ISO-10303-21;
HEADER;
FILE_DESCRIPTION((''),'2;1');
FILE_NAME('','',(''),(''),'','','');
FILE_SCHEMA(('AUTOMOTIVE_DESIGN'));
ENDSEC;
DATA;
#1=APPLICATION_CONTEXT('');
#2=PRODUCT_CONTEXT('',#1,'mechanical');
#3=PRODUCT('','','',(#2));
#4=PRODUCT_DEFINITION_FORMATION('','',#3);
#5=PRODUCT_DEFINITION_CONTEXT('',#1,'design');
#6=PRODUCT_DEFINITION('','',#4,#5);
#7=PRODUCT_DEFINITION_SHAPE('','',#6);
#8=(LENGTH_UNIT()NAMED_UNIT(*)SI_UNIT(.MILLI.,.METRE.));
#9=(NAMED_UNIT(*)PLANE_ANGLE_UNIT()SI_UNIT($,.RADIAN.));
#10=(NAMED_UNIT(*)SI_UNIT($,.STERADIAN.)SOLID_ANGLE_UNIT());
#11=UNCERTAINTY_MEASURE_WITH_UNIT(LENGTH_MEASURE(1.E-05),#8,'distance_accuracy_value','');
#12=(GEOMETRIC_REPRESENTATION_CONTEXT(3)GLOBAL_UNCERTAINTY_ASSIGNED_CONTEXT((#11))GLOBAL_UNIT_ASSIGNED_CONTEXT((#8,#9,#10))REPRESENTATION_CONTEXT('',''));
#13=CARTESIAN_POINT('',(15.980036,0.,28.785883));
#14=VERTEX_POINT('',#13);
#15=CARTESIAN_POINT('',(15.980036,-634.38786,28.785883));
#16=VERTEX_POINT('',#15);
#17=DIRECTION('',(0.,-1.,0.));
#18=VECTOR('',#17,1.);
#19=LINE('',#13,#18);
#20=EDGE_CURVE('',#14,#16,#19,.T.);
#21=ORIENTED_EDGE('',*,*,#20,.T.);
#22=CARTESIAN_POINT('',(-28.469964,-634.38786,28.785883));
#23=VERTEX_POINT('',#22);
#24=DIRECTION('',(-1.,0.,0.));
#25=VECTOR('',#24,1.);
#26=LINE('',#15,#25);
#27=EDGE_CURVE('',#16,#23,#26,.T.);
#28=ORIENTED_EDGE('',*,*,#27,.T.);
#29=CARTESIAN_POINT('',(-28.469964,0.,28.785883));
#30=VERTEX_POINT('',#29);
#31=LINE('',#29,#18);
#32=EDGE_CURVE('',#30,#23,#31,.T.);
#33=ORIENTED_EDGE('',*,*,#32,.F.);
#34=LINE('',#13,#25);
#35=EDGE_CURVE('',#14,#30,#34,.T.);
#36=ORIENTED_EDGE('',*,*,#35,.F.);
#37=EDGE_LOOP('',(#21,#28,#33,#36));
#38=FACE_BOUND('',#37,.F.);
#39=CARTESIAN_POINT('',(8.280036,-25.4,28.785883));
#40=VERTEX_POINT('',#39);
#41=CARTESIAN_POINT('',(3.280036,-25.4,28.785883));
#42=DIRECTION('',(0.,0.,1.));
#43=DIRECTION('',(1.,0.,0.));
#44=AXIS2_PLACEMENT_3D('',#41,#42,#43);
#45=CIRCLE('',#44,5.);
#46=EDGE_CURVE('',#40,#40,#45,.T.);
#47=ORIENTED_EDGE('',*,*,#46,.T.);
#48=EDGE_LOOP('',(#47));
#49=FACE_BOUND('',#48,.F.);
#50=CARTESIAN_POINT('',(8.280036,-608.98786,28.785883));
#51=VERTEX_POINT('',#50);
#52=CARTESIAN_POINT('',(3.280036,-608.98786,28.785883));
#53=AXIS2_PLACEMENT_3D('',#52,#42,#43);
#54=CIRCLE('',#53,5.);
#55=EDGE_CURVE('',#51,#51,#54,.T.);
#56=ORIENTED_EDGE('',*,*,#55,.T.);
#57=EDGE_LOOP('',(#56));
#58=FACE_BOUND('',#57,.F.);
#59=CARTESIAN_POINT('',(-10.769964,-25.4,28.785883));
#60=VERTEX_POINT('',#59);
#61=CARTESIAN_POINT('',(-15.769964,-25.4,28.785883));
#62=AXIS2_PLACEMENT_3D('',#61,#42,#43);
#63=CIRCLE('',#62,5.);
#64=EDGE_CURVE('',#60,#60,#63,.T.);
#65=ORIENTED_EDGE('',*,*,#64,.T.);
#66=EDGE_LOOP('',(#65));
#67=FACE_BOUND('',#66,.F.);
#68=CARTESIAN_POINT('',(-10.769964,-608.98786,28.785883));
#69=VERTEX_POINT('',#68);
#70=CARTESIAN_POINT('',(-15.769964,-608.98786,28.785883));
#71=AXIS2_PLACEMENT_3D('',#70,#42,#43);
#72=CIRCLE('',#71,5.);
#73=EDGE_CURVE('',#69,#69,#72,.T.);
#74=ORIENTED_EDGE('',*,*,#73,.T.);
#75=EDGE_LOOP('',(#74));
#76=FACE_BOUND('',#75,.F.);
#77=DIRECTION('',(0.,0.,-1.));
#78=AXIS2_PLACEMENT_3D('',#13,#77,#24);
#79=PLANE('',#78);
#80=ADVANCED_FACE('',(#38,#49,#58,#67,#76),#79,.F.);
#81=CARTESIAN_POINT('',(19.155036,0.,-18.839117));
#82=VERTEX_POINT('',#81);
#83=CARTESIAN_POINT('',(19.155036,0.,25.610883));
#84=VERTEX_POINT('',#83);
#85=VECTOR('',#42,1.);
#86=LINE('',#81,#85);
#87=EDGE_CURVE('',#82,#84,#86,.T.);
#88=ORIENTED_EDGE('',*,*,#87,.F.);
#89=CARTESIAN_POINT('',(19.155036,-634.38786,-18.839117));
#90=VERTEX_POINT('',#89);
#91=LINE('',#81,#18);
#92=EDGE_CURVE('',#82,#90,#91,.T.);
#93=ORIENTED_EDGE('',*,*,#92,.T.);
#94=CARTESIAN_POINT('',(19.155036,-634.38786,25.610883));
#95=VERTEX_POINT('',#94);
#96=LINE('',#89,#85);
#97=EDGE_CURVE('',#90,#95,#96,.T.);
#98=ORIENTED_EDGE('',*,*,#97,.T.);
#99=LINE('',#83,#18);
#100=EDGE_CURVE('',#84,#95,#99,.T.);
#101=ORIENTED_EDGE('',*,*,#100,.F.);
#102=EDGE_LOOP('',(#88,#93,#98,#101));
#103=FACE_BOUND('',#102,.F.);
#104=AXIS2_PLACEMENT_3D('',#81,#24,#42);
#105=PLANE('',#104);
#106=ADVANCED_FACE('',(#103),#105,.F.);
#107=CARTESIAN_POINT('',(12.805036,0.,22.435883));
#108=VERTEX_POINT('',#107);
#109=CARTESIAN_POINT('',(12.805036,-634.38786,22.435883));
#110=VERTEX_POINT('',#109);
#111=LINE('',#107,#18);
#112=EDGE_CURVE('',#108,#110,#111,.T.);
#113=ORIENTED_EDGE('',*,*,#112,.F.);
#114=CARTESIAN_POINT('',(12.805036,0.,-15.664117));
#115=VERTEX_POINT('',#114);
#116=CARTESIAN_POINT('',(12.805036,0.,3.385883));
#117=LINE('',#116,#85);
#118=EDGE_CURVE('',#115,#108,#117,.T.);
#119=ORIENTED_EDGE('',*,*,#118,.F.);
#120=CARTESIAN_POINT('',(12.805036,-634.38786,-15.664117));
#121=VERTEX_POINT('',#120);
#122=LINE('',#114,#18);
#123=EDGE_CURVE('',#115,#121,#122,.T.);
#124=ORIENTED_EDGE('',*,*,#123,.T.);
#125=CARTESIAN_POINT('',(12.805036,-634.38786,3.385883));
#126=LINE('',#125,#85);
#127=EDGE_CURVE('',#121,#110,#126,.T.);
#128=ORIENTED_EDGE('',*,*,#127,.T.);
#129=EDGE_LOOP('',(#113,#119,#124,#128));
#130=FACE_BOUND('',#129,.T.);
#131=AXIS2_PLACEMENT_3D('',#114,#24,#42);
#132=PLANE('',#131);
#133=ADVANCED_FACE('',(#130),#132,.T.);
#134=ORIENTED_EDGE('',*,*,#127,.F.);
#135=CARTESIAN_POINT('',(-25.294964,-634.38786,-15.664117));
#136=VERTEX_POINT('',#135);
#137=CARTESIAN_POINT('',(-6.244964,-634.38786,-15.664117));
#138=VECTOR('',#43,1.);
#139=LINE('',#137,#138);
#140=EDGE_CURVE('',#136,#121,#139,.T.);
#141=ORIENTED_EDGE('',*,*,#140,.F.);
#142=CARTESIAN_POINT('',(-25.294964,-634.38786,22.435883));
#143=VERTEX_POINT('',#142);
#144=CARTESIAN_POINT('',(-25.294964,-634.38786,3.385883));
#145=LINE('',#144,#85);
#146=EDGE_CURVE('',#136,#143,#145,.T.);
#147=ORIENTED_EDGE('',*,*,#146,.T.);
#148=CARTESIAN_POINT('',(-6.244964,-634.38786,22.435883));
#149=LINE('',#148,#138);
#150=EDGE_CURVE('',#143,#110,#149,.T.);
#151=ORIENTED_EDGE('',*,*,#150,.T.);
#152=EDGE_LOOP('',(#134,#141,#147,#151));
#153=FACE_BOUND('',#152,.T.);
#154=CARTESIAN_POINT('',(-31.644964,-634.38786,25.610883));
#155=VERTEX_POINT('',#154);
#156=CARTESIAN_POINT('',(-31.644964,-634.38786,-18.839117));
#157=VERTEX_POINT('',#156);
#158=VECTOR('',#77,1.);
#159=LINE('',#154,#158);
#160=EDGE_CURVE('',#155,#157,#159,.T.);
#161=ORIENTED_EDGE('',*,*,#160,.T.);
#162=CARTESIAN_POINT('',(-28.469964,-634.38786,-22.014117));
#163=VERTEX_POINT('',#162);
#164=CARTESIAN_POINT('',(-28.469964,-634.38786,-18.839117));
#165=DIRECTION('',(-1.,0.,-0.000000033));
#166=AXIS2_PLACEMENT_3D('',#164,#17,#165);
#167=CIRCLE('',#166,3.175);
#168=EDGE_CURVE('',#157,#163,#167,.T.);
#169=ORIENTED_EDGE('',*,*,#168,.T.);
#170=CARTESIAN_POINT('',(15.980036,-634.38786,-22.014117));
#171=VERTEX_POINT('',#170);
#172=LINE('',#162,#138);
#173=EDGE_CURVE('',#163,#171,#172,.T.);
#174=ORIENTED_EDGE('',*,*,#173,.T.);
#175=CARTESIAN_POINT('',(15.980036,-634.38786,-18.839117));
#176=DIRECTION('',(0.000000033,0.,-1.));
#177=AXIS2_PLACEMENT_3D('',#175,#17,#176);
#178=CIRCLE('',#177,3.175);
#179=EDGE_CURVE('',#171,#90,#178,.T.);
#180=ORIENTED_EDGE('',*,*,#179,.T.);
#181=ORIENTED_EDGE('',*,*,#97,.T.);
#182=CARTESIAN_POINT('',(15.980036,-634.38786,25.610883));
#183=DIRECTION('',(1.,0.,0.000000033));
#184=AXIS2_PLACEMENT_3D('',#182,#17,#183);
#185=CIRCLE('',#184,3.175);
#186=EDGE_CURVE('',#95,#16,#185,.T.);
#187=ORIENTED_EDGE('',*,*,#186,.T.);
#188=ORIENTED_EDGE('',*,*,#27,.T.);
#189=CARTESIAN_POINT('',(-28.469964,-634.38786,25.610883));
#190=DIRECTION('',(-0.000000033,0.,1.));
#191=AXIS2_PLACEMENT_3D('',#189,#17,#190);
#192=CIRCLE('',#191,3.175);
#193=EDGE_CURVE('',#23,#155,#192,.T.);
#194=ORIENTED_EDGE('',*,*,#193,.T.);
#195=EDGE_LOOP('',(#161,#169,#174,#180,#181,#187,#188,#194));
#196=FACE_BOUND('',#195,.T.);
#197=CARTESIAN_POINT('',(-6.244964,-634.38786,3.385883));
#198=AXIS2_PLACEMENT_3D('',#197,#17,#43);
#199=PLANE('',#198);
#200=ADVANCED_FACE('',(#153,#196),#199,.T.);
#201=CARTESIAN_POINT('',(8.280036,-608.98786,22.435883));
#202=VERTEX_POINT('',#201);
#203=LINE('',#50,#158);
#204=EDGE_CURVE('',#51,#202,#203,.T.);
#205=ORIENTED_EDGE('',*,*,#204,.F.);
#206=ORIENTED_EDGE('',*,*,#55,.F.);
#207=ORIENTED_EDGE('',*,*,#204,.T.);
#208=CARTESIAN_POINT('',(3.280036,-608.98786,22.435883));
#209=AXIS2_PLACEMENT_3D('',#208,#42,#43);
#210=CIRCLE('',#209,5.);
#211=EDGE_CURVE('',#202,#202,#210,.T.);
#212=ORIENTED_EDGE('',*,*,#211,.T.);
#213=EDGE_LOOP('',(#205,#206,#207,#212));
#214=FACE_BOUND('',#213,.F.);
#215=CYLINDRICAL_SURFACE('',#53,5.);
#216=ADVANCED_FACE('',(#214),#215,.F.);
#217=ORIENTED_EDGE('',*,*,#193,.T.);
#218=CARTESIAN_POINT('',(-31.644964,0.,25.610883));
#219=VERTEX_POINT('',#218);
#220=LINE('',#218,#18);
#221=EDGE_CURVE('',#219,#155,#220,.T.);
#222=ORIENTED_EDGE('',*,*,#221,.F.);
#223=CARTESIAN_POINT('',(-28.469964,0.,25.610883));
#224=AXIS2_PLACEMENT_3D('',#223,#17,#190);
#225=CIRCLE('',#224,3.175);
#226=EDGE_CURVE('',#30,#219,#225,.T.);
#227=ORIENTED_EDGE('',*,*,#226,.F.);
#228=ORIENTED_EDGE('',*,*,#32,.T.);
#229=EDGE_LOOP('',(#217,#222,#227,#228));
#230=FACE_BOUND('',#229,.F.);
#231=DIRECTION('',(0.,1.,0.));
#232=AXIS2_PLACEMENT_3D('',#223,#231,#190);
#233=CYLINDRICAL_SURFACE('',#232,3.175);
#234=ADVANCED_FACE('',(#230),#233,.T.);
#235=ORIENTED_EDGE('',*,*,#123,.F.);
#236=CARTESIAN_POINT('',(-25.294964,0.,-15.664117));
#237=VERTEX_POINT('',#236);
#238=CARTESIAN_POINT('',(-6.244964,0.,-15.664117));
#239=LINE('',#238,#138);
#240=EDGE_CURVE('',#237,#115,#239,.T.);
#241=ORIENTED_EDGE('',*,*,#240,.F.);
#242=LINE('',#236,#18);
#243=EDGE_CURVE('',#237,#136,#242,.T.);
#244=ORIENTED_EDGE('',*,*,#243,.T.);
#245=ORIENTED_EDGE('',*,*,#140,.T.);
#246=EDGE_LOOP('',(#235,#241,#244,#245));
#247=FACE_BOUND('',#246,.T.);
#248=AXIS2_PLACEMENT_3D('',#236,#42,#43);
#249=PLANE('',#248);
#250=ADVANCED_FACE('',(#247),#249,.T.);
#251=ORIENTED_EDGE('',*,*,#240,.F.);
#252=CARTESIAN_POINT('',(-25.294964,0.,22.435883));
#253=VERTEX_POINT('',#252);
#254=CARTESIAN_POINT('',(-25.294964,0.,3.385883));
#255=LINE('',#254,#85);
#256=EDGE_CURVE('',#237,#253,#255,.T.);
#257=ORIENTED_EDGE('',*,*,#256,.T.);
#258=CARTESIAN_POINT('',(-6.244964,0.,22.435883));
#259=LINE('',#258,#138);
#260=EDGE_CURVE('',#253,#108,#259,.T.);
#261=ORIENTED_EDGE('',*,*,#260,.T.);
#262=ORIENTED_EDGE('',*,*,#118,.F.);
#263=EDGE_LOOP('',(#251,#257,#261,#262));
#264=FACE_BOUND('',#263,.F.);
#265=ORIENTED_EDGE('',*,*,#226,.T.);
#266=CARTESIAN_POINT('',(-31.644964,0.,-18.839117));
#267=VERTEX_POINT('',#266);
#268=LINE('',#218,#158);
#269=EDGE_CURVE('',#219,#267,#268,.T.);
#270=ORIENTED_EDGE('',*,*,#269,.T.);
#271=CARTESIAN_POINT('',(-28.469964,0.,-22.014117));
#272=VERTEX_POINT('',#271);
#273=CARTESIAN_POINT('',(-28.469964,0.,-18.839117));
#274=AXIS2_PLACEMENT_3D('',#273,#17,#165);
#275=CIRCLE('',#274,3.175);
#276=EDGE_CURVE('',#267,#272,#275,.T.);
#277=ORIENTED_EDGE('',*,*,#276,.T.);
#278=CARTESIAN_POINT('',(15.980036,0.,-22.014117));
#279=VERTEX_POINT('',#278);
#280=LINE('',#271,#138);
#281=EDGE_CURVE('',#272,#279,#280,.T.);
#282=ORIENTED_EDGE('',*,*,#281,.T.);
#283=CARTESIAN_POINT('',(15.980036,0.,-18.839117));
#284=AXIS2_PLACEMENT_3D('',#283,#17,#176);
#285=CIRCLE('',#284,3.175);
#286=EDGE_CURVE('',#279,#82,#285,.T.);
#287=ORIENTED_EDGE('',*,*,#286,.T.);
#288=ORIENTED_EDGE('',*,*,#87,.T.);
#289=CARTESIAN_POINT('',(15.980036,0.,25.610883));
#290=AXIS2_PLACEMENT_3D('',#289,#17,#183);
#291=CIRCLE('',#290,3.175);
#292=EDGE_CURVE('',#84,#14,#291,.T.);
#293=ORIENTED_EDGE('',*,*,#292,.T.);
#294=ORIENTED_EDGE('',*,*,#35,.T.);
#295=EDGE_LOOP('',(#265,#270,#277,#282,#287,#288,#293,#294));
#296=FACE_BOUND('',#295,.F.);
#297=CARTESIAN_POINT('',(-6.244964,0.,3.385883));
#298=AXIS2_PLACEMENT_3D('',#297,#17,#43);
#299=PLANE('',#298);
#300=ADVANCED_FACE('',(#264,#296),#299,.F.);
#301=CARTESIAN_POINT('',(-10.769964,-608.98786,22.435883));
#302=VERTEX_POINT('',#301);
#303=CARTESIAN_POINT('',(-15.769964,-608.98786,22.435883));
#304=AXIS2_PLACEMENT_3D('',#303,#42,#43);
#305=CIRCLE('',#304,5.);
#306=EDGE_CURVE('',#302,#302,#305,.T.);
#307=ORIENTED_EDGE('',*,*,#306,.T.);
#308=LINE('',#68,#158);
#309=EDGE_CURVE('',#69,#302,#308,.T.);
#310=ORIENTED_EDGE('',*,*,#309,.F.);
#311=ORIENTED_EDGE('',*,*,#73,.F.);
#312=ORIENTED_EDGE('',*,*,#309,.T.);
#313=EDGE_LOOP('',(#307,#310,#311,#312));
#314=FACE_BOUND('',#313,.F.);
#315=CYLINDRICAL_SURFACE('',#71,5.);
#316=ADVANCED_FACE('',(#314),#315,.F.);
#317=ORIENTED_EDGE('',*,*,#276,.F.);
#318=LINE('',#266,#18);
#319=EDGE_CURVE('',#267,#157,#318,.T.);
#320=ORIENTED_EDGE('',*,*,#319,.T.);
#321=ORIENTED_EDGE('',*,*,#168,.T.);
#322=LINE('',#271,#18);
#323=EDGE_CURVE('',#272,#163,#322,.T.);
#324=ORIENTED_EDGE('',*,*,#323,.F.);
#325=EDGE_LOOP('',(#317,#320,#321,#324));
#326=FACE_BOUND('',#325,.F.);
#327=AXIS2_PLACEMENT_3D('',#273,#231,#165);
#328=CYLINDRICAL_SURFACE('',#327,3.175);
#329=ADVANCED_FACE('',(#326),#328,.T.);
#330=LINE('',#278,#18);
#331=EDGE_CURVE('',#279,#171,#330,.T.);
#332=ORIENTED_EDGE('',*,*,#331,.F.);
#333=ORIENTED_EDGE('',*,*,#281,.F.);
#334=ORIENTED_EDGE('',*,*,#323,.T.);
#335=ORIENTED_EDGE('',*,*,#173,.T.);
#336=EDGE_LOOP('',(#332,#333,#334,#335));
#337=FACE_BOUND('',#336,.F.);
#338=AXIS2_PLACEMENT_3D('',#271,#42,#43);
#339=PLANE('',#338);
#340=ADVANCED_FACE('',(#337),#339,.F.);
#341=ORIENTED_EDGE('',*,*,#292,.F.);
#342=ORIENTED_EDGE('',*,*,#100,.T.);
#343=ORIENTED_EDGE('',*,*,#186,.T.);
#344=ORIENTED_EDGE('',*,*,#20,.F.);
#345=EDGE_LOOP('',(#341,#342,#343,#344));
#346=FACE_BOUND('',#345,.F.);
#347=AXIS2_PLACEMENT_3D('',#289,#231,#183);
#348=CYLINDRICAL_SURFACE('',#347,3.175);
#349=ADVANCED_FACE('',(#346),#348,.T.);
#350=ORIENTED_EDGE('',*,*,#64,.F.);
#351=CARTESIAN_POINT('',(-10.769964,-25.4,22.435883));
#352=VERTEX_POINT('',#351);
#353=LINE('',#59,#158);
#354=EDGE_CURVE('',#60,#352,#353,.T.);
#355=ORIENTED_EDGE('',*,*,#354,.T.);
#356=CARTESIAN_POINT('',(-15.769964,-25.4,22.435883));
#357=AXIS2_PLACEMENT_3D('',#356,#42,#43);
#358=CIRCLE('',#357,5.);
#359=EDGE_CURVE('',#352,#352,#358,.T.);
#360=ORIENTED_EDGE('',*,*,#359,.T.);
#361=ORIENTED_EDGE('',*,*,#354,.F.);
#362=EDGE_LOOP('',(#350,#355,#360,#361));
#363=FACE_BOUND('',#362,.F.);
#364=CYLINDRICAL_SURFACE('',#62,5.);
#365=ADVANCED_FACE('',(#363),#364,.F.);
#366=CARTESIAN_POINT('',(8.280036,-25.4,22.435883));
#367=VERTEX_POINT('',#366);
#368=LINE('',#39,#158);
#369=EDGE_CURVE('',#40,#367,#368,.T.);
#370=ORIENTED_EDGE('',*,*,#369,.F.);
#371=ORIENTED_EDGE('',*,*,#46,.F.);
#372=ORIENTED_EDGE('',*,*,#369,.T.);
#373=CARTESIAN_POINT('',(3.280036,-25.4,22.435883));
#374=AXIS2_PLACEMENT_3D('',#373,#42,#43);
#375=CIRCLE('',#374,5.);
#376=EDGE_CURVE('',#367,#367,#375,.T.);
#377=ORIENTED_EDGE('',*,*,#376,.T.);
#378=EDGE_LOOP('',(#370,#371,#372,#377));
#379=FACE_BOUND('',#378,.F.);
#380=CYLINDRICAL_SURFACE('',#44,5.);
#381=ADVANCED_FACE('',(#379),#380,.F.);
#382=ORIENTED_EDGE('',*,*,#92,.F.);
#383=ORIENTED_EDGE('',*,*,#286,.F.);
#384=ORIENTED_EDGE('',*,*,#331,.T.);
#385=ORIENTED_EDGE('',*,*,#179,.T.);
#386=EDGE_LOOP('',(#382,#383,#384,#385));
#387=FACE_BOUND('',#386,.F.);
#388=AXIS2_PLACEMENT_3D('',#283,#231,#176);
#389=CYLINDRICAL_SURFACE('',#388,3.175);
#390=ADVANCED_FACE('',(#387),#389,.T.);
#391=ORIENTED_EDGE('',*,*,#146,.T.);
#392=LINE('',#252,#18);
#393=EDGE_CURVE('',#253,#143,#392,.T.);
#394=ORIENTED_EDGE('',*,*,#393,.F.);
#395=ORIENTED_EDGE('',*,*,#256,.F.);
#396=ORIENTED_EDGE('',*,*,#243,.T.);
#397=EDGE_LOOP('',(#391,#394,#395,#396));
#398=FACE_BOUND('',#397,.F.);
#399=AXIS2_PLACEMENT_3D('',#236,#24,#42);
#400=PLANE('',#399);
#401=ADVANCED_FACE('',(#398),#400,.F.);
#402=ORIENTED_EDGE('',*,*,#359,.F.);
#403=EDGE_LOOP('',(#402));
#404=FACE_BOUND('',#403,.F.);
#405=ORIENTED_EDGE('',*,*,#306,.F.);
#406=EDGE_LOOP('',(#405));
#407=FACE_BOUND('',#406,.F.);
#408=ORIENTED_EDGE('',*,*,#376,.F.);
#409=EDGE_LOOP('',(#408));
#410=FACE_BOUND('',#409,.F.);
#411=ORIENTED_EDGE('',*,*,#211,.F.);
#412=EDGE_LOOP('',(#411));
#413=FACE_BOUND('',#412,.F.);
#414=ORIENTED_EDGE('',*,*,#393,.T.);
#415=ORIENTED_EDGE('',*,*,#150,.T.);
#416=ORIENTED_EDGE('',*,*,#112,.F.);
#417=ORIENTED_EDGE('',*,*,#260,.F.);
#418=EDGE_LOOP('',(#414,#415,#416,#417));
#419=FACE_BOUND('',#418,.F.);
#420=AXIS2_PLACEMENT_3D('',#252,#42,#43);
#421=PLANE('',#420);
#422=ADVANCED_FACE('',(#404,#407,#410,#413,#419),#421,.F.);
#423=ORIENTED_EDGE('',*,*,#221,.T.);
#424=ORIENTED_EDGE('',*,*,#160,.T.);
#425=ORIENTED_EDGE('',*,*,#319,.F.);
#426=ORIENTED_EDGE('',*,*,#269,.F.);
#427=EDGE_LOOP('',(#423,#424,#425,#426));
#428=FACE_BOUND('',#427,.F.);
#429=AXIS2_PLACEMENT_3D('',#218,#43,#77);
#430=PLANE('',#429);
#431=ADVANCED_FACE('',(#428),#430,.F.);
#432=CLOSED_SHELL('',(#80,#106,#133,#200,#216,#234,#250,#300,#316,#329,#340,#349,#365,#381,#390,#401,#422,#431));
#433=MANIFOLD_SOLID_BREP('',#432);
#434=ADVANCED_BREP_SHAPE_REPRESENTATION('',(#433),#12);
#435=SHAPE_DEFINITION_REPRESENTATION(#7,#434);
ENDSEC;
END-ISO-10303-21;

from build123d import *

# Parameters (mm, degrees)
F0_W     = 38.1
F0_H     = 38.1
F1_DEPTH = 634.38786
F2_R     = 5
F3_DEPTH = 25.4


with BuildPart() as f1:
    # F0 (on Front) → F1 (new body)
    with BuildSketch(Plane.XZ):
        with BuildLine():
            Line((15.980036, 28.785883), (-28.469964, 28.785883))
            ThreePointArc((-28.469964, 28.785883), (-30.715028, 27.855947), (-31.644964, 25.610883))
            Line((-31.644964, 25.610883), (-31.644964, -18.839117))
            ThreePointArc((-31.644964, -18.839117), (-30.715028, -21.084181), (-28.469964, -22.014117))
            Line((-28.469964, -22.014117), (15.980036, -22.014117))
            ThreePointArc((15.980036, -22.014117), (18.2251, -21.084181), (19.155036, -18.839117))
            Line((19.155036, -18.839117), (19.155036, 25.610883))
            ThreePointArc((19.155036, 25.610883), (18.2251, 27.855947), (15.980036, 28.785883))
        make_face()
        with Locations((-6.244964, 3.385883)):
            Rectangle(F0_W, F0_H, mode=Mode.SUBTRACT)
    extrude(amount=F1_DEPTH)

    # F2 (on face) → F3 (cut)
    with BuildSketch(Plane.XY.offset(28.785883)):
        with Locations((-15.769964, -25.4)):
            Circle(F2_R)
        with Locations((3.280036, -25.4)):
            Circle(F2_R)
        with Locations((-15.769964, -608.98786)):
            Circle(F2_R)
        with Locations((3.280036, -608.98786)):
            Circle(F2_R)
    extrude(amount=-F3_DEPTH, mode=Mode.SUBTRACT)


solid = f1.part
